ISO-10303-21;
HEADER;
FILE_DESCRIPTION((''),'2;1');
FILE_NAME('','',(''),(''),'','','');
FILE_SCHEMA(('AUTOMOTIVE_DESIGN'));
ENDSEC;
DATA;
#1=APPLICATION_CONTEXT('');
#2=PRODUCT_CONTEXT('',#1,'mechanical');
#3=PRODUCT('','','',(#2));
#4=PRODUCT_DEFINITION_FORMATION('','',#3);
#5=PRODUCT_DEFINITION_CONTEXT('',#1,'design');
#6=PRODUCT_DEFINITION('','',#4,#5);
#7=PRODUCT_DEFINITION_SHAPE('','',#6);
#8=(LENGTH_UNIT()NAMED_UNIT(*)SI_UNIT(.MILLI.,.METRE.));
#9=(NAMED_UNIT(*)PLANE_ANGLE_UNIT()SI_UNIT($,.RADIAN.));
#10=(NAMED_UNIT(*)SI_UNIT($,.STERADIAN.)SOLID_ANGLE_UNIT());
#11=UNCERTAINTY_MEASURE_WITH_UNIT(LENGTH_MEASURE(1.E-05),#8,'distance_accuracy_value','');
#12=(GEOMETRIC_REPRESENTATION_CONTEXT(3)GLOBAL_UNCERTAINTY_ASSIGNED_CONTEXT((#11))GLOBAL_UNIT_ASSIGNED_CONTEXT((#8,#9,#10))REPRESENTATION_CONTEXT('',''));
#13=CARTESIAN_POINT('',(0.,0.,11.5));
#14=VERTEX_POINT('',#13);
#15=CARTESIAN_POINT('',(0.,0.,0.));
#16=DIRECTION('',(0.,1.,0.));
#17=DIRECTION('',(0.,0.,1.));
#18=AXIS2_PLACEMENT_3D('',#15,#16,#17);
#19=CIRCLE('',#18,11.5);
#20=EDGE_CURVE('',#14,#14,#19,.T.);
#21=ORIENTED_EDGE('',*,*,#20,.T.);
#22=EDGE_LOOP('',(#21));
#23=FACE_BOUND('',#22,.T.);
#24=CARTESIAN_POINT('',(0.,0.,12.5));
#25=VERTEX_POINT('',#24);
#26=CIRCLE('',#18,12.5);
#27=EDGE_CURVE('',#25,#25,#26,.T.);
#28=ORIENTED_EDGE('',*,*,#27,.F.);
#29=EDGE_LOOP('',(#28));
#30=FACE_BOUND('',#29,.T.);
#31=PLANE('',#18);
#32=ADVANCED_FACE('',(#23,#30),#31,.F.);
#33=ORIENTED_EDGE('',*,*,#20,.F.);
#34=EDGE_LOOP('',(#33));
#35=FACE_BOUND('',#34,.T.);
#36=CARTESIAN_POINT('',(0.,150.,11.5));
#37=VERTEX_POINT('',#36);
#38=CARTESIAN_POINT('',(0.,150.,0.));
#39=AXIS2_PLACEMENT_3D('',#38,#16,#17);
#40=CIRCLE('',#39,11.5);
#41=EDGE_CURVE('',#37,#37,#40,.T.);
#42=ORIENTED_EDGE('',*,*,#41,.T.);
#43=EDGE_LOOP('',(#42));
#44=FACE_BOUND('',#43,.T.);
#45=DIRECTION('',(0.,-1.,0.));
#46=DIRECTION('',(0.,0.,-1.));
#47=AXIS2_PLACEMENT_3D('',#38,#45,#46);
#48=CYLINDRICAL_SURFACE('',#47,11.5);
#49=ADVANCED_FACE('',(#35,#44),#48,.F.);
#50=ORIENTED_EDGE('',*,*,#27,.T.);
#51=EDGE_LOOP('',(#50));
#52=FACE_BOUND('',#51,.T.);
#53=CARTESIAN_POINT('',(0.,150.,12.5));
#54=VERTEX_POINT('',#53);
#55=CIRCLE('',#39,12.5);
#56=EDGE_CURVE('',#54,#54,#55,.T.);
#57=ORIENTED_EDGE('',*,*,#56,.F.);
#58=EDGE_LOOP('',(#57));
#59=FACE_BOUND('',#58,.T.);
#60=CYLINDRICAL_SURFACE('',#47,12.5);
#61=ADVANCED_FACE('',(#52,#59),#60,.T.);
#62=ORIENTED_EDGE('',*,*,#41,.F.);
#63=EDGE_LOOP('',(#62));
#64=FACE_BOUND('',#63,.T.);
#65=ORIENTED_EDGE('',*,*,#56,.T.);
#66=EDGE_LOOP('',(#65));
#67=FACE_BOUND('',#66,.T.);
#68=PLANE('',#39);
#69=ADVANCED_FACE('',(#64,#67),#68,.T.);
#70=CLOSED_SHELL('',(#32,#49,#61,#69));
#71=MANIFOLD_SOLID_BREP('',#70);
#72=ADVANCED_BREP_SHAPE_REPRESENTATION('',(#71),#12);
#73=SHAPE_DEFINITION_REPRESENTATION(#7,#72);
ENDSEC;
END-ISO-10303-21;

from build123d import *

# Parameters (mm, degrees)
SKETCH_1_R      = 12.5
SKETCH_1_R_2    = 11.5
EXTRUDE_1_DEPTH = 150


with BuildPart() as part:
    # Эскиз1 → Бобышка-Вытянуть1 (new body)
    with BuildSketch(Plane(origin=(0, 0, 0), x_dir=(1, 0, 0), z_dir=(0, 1, 0))):
        Circle(SKETCH_1_R)
        Circle(SKETCH_1_R_2, mode=Mode.SUBTRACT)
    extrude(amount=EXTRUDE_1_DEPTH)


solid = part.part
